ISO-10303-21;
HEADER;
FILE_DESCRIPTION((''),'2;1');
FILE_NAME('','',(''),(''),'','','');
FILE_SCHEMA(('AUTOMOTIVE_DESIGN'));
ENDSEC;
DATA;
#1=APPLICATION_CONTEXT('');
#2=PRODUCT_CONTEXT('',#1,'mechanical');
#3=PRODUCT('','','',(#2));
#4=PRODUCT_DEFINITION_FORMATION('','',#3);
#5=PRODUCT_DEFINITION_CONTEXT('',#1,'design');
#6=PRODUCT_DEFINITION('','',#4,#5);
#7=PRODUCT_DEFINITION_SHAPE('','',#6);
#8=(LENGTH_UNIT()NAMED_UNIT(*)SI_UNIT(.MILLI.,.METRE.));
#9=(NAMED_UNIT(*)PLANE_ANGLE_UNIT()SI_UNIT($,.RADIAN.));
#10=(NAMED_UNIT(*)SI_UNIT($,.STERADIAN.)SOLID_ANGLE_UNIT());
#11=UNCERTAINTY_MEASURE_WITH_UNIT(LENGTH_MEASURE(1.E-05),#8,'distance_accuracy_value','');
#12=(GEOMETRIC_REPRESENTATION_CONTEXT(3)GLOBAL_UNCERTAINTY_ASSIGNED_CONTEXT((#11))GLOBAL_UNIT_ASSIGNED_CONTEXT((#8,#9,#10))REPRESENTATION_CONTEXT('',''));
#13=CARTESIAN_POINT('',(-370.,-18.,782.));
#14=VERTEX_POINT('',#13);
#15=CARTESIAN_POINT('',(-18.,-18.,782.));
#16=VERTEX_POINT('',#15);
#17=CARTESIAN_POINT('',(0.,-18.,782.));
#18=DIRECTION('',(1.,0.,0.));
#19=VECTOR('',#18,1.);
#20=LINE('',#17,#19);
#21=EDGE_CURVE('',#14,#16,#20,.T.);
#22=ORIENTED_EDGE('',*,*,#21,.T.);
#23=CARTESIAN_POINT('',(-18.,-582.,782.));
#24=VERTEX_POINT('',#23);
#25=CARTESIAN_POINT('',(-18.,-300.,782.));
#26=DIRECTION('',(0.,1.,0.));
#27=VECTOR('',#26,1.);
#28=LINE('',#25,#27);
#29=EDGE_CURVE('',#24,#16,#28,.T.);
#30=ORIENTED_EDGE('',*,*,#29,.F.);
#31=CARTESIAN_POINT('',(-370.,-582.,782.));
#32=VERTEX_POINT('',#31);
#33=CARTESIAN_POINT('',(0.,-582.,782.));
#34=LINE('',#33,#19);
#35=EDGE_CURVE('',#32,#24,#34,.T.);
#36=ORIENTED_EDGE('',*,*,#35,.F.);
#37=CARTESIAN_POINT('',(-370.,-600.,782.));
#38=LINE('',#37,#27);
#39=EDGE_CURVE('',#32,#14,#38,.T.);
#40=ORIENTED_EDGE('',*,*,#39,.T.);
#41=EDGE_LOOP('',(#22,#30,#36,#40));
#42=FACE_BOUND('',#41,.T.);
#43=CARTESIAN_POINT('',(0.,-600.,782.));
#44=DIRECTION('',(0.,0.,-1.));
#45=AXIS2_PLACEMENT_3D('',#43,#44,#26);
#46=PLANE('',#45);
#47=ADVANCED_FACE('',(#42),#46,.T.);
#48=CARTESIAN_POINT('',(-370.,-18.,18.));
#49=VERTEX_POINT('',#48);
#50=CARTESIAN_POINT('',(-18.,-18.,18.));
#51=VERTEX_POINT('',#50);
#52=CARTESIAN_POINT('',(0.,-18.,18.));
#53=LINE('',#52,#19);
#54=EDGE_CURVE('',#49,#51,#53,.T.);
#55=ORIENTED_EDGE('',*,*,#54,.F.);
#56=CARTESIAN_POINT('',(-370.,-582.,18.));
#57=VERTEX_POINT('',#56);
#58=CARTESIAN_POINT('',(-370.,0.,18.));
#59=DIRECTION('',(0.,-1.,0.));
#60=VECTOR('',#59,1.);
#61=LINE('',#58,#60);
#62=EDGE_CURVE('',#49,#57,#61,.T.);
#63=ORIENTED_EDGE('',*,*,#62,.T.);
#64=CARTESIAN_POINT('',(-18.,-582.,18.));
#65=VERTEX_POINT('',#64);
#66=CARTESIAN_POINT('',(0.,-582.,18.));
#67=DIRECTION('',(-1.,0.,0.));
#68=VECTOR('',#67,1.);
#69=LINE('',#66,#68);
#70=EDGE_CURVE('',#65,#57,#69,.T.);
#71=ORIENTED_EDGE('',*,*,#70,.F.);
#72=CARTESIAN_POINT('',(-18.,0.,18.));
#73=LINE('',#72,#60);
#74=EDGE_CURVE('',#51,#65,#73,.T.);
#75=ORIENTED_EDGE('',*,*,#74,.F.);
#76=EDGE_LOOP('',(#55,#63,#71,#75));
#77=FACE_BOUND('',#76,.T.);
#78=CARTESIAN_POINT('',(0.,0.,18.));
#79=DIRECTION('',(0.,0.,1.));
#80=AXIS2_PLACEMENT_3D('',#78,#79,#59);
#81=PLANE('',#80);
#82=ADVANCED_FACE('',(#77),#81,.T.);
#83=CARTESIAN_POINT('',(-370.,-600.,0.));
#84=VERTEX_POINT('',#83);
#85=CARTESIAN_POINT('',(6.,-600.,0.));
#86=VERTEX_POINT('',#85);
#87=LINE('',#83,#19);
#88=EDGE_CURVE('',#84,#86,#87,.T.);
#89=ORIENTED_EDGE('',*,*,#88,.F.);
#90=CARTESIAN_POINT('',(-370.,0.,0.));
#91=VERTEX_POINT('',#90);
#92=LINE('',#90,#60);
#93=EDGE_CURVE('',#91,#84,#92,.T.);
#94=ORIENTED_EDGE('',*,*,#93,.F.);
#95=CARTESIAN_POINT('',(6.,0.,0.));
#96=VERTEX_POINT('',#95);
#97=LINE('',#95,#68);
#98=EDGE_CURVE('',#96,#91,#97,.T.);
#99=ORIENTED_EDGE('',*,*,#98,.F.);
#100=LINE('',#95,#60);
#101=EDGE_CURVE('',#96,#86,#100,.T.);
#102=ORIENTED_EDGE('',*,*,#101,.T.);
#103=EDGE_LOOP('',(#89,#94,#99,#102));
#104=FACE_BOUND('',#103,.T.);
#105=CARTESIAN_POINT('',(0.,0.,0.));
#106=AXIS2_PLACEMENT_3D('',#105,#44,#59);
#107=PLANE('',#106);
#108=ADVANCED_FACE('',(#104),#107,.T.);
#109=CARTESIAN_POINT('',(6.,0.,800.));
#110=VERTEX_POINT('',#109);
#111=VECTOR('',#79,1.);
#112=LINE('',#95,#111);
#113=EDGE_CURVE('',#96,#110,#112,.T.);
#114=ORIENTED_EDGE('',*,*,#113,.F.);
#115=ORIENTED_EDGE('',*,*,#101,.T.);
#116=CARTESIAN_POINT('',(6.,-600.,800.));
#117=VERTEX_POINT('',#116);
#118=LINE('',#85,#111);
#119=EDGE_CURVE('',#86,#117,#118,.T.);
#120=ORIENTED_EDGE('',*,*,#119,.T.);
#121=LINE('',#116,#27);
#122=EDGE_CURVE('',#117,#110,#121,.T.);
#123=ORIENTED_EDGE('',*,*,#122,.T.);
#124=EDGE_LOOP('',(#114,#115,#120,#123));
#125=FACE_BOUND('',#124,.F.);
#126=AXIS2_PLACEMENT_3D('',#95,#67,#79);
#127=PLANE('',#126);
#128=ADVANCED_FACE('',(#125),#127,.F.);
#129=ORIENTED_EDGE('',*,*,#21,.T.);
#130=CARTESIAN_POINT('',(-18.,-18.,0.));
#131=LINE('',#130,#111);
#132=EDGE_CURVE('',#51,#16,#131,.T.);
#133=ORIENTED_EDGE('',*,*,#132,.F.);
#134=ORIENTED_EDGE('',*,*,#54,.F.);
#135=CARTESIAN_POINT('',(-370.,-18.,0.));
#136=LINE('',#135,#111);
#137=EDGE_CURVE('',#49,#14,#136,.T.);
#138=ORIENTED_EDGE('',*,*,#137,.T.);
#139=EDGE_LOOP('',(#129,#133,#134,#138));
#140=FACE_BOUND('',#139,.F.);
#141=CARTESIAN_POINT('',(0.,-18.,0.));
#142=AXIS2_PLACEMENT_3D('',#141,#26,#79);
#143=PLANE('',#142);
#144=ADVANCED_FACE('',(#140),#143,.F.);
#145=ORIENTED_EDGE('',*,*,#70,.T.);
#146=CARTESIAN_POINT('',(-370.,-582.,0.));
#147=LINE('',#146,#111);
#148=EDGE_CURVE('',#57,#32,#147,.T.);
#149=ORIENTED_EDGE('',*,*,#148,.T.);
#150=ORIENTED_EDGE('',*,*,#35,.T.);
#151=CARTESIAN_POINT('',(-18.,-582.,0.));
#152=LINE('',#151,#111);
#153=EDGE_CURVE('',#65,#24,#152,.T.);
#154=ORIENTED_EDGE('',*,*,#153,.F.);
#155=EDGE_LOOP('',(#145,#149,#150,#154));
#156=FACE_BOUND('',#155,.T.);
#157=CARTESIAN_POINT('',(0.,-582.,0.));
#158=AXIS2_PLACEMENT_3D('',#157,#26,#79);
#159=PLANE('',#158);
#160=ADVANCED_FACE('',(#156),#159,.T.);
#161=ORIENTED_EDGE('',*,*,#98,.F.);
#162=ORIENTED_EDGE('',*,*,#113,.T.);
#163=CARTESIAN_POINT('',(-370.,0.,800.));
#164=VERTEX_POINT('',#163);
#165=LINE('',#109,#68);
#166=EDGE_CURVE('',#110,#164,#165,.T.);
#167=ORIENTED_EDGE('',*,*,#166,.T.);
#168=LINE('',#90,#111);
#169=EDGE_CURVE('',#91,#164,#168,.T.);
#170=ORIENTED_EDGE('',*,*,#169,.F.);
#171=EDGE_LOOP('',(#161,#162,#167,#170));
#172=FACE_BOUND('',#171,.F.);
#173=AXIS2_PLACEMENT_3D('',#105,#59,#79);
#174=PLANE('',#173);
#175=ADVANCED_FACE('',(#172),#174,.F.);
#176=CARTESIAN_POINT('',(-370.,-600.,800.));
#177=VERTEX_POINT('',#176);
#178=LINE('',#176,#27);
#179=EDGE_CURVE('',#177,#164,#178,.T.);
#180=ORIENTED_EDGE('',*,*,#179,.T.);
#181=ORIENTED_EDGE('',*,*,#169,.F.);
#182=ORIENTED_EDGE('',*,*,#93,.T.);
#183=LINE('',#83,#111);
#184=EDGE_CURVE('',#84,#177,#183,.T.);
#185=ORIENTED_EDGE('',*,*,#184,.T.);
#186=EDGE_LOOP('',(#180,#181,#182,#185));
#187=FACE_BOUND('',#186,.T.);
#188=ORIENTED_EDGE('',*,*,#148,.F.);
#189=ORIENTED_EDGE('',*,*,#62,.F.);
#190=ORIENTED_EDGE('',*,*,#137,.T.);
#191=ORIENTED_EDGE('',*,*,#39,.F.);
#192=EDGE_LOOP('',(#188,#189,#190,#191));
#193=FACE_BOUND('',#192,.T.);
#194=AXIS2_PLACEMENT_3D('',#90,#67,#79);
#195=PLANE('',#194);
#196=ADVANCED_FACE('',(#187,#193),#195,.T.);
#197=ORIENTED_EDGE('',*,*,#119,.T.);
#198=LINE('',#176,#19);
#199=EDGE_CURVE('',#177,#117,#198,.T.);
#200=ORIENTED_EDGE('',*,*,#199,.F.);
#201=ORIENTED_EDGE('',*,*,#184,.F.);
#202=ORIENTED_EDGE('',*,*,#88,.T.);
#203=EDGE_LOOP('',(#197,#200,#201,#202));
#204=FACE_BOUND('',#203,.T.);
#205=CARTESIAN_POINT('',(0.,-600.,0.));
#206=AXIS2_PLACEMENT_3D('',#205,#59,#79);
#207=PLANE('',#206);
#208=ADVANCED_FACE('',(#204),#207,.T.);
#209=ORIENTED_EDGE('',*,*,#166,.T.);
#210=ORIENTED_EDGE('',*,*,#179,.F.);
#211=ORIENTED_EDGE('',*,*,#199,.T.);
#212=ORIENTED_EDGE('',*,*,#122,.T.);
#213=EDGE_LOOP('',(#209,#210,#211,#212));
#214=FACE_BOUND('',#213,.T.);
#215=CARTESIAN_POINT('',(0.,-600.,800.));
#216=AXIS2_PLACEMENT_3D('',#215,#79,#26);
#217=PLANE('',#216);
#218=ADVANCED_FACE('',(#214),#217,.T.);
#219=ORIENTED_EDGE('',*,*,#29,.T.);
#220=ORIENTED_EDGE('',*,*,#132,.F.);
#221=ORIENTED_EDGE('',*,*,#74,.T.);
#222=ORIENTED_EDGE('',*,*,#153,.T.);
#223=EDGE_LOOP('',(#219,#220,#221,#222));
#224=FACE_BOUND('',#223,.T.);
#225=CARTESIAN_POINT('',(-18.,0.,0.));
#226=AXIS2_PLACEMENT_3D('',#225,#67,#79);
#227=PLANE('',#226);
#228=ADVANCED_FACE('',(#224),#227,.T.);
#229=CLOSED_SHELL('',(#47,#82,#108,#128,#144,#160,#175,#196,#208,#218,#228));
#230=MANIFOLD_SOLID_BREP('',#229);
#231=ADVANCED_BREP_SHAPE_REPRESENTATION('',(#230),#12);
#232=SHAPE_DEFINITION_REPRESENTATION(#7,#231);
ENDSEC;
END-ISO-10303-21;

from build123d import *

# Parameters (mm, degrees)
F0_W     = 35.116635263
F0_H     = 34.8606705666
F1_DEPTH = 800
F2_DEPTH = 600
F3_DEPTH = 370
F4_T     = -18
F5_DEPTH = 6


with BuildPart() as f1:
    # F0 (on Top) → F1 (new body)
    with BuildSketch(Plane.XY):
        with Locations((-17.5583176315, -17.4303352833)):
            Rectangle(F0_W, F0_H)
    extrude(amount=F1_DEPTH)

    # F2 (add): a face of the model
    f2_faces = [f1.faces().sort_by_distance(p)[0] for p in [
        (-17.5583176315, 0, 400),
    ]]
    extrude(f2_faces, amount=-F2_DEPTH)

    # F3 (add): a face of the model
    f3_faces = [f1.faces().sort_by_distance(p)[0] for p in [
        (0, -300, 400),
    ]]
    extrude(f3_faces, amount=-F3_DEPTH)

    # F4
    f4_openings = [f1.faces().sort_by_distance(p)[0] for p in [
        (-370, -300, 400),
    ]]
    offset(amount=F4_T, openings=f4_openings)

    # F5 (add): a face of the model
    f5_faces = [f1.faces().sort_by_distance(p)[0] for p in [
        (0, -300, 400),
    ]]
    extrude(f5_faces, amount=F5_DEPTH)


solid = f1.part
